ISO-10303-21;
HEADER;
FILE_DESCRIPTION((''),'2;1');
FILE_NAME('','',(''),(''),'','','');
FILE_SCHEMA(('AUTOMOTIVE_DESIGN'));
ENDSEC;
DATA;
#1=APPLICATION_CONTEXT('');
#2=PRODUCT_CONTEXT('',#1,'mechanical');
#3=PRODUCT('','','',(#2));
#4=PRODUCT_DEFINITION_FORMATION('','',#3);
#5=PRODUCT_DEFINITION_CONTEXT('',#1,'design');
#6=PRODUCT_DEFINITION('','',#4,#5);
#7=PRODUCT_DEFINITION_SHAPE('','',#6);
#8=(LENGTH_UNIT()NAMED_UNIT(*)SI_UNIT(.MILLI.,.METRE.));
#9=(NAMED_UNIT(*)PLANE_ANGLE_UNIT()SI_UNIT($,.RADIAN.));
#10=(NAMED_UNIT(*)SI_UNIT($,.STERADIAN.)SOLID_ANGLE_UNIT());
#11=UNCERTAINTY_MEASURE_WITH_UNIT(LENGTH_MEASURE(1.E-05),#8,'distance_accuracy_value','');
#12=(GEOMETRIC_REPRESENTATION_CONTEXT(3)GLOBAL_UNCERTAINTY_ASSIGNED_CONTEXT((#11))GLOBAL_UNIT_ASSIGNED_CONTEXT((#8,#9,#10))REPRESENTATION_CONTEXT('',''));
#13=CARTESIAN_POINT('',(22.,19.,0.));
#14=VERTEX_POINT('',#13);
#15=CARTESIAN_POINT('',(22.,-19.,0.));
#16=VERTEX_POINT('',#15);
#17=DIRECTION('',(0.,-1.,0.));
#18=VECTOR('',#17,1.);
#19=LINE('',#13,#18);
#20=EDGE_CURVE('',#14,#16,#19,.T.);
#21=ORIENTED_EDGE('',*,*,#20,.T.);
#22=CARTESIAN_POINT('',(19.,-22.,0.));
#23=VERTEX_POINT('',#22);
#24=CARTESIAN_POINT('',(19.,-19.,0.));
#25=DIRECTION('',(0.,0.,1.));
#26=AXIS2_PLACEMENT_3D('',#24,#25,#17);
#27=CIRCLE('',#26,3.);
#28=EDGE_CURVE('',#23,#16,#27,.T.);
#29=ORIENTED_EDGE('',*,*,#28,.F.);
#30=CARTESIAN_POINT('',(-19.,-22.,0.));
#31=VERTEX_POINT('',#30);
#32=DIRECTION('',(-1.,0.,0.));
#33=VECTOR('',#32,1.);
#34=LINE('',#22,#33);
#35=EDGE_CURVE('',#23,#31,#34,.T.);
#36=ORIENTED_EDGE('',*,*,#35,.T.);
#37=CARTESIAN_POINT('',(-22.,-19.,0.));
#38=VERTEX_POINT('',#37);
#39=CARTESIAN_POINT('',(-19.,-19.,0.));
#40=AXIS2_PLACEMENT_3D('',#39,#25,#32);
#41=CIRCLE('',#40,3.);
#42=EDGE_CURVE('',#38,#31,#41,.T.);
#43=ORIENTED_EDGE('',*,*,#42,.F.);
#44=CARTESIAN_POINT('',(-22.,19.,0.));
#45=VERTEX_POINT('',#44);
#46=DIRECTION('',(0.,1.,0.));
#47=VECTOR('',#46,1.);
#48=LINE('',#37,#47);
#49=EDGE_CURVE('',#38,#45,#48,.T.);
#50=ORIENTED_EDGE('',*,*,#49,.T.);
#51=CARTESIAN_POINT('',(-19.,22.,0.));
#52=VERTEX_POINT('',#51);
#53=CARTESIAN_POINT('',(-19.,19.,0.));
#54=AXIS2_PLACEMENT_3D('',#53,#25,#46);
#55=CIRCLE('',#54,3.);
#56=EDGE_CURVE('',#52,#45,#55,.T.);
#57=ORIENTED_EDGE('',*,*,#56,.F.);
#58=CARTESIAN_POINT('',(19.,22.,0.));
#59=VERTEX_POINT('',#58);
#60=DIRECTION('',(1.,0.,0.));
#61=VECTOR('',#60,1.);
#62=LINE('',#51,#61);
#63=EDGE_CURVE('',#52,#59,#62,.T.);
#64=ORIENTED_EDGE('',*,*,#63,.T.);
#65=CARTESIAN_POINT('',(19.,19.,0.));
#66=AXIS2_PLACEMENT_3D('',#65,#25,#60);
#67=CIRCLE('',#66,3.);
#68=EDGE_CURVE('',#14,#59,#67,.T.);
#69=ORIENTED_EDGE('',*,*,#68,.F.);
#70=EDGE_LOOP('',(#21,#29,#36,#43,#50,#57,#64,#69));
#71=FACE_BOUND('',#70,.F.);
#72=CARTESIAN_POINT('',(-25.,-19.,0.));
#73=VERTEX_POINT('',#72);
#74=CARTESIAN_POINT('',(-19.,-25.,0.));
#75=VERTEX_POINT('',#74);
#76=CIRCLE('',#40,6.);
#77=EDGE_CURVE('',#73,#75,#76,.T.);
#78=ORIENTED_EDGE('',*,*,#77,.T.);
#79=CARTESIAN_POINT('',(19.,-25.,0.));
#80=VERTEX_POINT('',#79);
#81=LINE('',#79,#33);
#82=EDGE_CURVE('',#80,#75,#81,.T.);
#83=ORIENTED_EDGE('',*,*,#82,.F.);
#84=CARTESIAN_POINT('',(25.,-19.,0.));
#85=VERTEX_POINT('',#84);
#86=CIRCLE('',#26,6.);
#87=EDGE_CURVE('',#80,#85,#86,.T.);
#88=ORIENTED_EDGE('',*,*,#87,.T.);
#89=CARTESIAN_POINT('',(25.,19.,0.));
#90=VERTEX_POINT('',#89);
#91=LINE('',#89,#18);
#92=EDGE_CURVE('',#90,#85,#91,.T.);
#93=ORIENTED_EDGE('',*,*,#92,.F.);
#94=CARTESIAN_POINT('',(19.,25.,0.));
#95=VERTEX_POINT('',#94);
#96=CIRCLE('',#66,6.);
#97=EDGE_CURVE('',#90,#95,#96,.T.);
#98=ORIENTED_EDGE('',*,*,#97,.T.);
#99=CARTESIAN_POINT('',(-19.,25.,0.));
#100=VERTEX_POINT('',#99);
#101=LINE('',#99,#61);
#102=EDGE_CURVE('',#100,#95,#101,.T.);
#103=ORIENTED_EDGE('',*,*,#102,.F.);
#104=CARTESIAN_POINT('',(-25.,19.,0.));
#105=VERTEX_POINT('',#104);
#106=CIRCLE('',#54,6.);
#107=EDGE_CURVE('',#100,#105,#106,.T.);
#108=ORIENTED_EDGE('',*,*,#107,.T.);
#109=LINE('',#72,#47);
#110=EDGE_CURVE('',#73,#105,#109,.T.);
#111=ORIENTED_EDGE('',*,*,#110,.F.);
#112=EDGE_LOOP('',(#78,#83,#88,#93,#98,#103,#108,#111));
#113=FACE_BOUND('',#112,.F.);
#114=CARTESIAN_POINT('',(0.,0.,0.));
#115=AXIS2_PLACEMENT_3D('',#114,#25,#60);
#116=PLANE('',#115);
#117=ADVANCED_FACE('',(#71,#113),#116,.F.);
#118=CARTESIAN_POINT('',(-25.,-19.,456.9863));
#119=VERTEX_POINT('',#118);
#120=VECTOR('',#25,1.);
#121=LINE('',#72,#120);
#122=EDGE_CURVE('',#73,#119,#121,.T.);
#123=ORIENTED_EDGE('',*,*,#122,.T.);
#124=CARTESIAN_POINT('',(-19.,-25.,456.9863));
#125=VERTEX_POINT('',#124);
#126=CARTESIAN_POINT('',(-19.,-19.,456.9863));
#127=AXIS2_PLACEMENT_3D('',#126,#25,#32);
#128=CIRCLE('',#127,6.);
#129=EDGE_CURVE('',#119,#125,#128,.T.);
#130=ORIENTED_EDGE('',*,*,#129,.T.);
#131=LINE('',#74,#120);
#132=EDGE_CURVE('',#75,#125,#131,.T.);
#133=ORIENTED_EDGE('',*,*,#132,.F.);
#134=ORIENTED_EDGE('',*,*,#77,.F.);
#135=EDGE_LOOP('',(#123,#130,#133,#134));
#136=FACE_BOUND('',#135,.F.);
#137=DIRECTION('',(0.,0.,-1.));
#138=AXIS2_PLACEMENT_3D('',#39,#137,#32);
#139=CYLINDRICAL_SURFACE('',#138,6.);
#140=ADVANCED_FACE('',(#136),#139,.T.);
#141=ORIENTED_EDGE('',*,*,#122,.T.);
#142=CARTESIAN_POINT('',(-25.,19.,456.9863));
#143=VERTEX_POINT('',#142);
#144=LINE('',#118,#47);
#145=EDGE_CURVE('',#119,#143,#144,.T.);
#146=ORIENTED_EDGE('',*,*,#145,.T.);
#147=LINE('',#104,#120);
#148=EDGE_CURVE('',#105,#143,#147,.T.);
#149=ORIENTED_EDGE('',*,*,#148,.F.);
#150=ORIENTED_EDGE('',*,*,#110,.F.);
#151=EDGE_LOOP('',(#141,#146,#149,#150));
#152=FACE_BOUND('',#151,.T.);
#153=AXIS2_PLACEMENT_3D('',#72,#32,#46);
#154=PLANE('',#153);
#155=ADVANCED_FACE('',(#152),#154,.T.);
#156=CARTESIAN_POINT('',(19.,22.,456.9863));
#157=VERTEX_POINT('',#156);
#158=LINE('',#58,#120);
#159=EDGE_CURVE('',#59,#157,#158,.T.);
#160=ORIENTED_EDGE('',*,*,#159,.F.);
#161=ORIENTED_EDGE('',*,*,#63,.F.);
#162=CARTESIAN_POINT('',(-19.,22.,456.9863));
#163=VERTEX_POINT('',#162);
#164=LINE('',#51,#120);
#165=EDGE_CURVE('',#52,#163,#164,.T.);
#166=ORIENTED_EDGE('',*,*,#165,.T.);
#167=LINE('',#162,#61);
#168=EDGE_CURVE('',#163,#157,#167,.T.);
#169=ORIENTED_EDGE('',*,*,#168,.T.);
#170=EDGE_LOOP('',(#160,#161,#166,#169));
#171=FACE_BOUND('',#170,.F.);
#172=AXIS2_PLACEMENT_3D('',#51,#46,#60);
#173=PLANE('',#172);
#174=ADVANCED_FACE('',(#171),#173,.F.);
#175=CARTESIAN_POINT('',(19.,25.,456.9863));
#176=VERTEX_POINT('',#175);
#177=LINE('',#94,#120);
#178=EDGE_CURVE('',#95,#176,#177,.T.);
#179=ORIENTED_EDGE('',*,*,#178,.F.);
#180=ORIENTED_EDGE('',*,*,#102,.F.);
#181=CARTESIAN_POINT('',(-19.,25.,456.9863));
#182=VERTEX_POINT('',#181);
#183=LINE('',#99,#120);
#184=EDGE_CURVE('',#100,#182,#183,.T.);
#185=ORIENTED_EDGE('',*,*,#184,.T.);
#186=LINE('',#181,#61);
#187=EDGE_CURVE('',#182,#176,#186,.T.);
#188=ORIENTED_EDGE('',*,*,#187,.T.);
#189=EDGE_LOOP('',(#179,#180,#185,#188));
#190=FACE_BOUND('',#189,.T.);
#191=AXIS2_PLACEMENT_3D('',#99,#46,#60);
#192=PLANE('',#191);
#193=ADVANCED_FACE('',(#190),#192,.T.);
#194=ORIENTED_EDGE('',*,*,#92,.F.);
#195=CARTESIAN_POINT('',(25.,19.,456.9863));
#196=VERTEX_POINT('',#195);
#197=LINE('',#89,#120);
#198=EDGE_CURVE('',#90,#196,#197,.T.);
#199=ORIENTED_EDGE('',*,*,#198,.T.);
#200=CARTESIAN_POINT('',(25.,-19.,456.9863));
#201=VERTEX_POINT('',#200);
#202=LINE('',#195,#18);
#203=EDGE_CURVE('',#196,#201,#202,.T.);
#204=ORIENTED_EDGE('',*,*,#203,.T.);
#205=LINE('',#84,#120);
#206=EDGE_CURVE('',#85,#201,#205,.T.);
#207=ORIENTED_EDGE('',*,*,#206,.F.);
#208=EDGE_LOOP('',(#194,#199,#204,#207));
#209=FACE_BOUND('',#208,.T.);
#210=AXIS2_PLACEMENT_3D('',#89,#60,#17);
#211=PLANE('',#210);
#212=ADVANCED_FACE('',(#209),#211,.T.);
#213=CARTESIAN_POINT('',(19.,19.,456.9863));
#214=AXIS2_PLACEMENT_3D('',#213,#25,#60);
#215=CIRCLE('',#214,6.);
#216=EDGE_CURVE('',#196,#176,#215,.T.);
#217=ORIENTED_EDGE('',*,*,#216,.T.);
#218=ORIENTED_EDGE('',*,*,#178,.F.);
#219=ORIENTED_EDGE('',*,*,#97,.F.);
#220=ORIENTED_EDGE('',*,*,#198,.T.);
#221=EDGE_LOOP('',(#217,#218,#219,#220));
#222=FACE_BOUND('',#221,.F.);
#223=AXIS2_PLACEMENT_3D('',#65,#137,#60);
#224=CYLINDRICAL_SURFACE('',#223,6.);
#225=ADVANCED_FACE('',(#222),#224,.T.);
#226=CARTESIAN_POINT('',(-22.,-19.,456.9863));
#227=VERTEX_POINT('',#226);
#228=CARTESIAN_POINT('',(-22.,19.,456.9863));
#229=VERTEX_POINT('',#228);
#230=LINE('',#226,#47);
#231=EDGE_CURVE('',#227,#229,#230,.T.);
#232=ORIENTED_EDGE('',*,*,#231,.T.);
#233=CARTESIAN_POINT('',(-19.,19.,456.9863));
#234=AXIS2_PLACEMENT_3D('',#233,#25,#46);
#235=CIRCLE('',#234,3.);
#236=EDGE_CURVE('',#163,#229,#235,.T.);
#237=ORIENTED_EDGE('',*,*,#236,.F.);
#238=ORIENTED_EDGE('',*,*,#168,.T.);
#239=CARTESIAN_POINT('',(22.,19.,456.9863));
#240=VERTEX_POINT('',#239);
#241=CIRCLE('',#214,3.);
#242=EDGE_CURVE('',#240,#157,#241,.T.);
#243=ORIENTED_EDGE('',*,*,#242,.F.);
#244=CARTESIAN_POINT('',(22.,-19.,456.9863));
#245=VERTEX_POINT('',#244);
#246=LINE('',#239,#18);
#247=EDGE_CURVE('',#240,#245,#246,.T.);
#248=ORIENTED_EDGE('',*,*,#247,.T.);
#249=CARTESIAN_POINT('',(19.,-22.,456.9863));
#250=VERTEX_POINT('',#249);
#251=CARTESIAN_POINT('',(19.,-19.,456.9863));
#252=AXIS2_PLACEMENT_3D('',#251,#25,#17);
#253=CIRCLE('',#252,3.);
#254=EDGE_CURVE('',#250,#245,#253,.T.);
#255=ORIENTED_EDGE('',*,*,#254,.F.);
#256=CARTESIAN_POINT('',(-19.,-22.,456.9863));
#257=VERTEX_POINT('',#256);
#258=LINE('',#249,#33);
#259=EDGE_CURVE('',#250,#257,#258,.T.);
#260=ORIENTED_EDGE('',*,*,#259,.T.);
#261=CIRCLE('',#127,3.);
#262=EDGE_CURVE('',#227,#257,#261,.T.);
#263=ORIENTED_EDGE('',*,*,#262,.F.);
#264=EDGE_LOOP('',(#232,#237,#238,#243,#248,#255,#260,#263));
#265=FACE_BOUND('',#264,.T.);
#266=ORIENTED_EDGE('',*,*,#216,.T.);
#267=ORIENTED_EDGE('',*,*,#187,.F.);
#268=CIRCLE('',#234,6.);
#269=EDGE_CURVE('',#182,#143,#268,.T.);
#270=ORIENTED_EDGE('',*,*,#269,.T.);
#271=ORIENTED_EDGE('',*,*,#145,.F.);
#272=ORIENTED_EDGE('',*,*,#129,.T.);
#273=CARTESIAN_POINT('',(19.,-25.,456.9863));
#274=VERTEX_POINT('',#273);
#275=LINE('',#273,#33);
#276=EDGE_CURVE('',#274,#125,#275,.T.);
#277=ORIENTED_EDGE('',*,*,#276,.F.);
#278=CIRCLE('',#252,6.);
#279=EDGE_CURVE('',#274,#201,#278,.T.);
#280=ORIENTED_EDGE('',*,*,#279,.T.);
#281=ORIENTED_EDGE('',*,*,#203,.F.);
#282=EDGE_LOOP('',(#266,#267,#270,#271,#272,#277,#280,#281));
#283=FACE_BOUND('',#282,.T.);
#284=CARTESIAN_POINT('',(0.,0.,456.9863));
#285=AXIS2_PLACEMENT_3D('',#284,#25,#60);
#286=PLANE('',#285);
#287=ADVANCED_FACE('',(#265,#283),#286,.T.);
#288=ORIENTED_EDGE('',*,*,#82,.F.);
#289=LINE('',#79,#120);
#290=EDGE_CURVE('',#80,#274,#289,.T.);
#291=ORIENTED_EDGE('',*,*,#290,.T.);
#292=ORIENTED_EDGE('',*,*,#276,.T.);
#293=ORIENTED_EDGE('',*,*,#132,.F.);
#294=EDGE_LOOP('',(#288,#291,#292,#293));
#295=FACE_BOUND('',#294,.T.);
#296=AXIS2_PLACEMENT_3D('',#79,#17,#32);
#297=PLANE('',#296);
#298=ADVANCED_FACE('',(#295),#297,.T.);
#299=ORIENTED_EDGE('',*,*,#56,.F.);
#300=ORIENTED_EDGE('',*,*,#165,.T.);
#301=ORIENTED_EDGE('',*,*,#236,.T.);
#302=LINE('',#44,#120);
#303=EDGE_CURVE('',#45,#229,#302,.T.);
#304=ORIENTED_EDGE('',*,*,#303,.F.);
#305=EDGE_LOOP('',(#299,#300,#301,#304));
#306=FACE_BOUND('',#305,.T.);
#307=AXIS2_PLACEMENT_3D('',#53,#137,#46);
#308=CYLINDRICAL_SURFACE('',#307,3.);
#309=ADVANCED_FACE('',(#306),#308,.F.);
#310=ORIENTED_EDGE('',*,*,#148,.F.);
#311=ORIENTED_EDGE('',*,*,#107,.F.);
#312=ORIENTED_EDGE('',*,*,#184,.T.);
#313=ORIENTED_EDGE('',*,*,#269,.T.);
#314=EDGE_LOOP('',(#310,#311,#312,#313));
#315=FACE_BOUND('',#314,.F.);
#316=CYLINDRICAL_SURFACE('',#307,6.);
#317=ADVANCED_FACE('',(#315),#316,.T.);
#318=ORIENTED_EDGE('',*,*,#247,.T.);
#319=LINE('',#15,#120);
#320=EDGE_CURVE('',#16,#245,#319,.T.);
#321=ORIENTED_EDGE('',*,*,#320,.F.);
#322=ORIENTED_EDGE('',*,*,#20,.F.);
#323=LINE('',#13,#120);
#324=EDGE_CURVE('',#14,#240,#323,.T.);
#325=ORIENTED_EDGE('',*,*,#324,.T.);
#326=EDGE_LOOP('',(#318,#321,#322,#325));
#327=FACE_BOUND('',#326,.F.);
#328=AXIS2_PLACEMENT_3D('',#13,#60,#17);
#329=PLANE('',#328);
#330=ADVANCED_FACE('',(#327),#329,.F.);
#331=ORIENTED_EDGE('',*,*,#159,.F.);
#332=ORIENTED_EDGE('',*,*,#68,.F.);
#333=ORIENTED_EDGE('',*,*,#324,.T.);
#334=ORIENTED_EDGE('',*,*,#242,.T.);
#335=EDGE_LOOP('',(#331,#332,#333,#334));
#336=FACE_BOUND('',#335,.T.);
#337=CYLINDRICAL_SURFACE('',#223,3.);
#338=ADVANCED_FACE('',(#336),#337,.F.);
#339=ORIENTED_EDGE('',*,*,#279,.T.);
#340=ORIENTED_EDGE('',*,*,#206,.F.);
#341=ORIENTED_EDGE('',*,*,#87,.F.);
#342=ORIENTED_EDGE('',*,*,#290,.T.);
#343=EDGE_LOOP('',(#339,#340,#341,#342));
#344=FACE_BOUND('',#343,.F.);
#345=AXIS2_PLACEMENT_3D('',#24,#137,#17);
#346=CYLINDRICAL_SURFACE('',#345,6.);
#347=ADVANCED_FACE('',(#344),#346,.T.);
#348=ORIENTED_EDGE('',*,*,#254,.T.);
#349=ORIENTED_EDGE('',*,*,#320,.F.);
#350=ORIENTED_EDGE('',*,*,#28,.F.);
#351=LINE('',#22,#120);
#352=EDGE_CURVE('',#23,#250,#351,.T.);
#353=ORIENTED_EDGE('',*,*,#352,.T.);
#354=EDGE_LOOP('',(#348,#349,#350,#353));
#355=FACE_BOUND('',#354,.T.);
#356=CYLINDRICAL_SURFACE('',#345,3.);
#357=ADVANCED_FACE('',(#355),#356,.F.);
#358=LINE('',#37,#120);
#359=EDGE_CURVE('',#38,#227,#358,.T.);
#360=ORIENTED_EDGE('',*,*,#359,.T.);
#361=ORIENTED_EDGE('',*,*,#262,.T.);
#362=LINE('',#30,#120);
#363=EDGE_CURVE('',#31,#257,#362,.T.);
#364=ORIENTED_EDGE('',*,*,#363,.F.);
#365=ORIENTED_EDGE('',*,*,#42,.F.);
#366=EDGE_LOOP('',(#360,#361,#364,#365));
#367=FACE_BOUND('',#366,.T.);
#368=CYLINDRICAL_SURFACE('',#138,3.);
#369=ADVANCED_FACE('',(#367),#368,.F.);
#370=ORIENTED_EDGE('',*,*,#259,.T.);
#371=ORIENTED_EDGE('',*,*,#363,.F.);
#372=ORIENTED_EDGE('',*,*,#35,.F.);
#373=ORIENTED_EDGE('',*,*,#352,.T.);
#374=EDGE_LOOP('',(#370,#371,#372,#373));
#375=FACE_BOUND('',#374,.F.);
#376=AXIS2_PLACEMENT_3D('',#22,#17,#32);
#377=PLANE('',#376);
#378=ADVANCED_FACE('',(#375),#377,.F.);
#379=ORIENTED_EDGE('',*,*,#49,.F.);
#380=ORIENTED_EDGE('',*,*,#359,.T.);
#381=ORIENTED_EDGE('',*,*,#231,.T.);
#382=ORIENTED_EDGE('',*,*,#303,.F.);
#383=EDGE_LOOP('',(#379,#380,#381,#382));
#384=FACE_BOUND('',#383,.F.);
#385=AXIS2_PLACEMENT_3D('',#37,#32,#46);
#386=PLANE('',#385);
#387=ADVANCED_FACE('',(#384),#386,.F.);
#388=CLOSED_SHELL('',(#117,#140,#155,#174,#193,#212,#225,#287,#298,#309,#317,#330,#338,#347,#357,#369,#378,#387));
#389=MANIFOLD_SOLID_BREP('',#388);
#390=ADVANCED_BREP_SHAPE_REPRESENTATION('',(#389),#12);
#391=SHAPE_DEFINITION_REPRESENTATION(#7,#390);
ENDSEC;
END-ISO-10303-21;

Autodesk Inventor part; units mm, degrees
ref_plane "YZ Plane" through (0, 0, 0) normal (1, 0, 0) x (0, 1, 0)
ref_plane "Start Plane" through (0, 0, 0) normal (0, 0, 1) x (1, 0, 0)
ref_plane "End Plane" through (0, 0, 456.9863) normal (0, 0, 1) x (1, 0, 0)
sketch "Sketch" plane through (0, 0, 0) normal (0, 0, 1) x (1, 0, 0)
  line L0 (-25, -19) -> (-25, 19)
  line L1 (-19, 25) -> (19, 25)
  line L2 (25, 19) -> (25, -19)
  line L3 (19, -25) -> (-19, -25)
  arc A0 (-25, -19) -> (-19, -25) centre (-19, -19) ccw
  arc A1 (25, 19) -> (19, 25) centre (19, 19) ccw
  arc A2 (-19, 25) -> (-25, 19) centre (-19, 19) ccw
  arc A3 (19, -25) -> (25, -19) centre (19, -19) ccw
  arc A4 (-19, 22) -> (-22, 19) centre (-19, 19) ccw
  line L4 (-19, 22) -> (19, 22)
  arc A5 (22, 19) -> (19, 22) centre (19, 19) ccw
  line L5 (22, 19) -> (22, -19)
  arc A6 (19, -22) -> (22, -19) centre (19, -19) ccw
  line L6 (19, -22) -> (-19, -22)
  arc A7 (-22, -19) -> (-19, -22) centre (-19, -19) ccw
  line L7 (-22, -19) -> (-22, 19)
  line L8 (0, 36.7397) -> (0, -36.7397) construction
  line L9 (-36.7397, 0) -> (36.7397, 0) construction
  dimension "d7" = 6
  dimension "d9" = 50
  dimension "d11" = 50
  dimension "d12" = 3
  dimension "d15" = 25
  dimension "d16" = 25
extrude "Body" add sketch "Sketch" along normal up to surface (456.9863 mm away) from surface at 0
sketch "Sketch3" plane through (0, 0, 0) normal (0, 0, 1) x (1, 0, 0)
  line L0 (0, 0) -> (10, 0)
ref_plane "Work Plane3" through (0, 0, 0) normal (0, -1, 0) x (1, 0, 0)
sketch "Sketch4" plane through (0, 0, 0) normal (0, -1, 0) x (1, 0, 0)
  line L0 (-2, 0) -> (12, 0) projected
  line L1 (-2, 456.9863) -> (12, 456.9863) projected
  dimension "d18" = 456.9863
equation "\"d7\" = G_IR"
equation "\"d9\" = G_W"
equation "\"d11\" = G_H"
equation "\"d12\" = G_T"
equation "\"d15\" = 0.5 * d9"
equation "\"d16\" = 0.5 * d11"
equation "\"d3\" = G_L"
equation "\"G_W\" = 50"
equation "\"G_H\" = 50"
equation "\"G_T\" = 3"
equation "\"G_IR\" = 6"
equation "\"G_L\" = d18"
equation "\"G_OFFSET_START\" = 0"
equation "\"G_OFFSET_END\" = 0"
equation "\"d14\" = G_OFFSET_END + B_L"
equation "\"B_L\" = 456.98632"
properties part number "ISO 10799-2 - 50x50x3 - 456,99" material "Steel, Mild"
